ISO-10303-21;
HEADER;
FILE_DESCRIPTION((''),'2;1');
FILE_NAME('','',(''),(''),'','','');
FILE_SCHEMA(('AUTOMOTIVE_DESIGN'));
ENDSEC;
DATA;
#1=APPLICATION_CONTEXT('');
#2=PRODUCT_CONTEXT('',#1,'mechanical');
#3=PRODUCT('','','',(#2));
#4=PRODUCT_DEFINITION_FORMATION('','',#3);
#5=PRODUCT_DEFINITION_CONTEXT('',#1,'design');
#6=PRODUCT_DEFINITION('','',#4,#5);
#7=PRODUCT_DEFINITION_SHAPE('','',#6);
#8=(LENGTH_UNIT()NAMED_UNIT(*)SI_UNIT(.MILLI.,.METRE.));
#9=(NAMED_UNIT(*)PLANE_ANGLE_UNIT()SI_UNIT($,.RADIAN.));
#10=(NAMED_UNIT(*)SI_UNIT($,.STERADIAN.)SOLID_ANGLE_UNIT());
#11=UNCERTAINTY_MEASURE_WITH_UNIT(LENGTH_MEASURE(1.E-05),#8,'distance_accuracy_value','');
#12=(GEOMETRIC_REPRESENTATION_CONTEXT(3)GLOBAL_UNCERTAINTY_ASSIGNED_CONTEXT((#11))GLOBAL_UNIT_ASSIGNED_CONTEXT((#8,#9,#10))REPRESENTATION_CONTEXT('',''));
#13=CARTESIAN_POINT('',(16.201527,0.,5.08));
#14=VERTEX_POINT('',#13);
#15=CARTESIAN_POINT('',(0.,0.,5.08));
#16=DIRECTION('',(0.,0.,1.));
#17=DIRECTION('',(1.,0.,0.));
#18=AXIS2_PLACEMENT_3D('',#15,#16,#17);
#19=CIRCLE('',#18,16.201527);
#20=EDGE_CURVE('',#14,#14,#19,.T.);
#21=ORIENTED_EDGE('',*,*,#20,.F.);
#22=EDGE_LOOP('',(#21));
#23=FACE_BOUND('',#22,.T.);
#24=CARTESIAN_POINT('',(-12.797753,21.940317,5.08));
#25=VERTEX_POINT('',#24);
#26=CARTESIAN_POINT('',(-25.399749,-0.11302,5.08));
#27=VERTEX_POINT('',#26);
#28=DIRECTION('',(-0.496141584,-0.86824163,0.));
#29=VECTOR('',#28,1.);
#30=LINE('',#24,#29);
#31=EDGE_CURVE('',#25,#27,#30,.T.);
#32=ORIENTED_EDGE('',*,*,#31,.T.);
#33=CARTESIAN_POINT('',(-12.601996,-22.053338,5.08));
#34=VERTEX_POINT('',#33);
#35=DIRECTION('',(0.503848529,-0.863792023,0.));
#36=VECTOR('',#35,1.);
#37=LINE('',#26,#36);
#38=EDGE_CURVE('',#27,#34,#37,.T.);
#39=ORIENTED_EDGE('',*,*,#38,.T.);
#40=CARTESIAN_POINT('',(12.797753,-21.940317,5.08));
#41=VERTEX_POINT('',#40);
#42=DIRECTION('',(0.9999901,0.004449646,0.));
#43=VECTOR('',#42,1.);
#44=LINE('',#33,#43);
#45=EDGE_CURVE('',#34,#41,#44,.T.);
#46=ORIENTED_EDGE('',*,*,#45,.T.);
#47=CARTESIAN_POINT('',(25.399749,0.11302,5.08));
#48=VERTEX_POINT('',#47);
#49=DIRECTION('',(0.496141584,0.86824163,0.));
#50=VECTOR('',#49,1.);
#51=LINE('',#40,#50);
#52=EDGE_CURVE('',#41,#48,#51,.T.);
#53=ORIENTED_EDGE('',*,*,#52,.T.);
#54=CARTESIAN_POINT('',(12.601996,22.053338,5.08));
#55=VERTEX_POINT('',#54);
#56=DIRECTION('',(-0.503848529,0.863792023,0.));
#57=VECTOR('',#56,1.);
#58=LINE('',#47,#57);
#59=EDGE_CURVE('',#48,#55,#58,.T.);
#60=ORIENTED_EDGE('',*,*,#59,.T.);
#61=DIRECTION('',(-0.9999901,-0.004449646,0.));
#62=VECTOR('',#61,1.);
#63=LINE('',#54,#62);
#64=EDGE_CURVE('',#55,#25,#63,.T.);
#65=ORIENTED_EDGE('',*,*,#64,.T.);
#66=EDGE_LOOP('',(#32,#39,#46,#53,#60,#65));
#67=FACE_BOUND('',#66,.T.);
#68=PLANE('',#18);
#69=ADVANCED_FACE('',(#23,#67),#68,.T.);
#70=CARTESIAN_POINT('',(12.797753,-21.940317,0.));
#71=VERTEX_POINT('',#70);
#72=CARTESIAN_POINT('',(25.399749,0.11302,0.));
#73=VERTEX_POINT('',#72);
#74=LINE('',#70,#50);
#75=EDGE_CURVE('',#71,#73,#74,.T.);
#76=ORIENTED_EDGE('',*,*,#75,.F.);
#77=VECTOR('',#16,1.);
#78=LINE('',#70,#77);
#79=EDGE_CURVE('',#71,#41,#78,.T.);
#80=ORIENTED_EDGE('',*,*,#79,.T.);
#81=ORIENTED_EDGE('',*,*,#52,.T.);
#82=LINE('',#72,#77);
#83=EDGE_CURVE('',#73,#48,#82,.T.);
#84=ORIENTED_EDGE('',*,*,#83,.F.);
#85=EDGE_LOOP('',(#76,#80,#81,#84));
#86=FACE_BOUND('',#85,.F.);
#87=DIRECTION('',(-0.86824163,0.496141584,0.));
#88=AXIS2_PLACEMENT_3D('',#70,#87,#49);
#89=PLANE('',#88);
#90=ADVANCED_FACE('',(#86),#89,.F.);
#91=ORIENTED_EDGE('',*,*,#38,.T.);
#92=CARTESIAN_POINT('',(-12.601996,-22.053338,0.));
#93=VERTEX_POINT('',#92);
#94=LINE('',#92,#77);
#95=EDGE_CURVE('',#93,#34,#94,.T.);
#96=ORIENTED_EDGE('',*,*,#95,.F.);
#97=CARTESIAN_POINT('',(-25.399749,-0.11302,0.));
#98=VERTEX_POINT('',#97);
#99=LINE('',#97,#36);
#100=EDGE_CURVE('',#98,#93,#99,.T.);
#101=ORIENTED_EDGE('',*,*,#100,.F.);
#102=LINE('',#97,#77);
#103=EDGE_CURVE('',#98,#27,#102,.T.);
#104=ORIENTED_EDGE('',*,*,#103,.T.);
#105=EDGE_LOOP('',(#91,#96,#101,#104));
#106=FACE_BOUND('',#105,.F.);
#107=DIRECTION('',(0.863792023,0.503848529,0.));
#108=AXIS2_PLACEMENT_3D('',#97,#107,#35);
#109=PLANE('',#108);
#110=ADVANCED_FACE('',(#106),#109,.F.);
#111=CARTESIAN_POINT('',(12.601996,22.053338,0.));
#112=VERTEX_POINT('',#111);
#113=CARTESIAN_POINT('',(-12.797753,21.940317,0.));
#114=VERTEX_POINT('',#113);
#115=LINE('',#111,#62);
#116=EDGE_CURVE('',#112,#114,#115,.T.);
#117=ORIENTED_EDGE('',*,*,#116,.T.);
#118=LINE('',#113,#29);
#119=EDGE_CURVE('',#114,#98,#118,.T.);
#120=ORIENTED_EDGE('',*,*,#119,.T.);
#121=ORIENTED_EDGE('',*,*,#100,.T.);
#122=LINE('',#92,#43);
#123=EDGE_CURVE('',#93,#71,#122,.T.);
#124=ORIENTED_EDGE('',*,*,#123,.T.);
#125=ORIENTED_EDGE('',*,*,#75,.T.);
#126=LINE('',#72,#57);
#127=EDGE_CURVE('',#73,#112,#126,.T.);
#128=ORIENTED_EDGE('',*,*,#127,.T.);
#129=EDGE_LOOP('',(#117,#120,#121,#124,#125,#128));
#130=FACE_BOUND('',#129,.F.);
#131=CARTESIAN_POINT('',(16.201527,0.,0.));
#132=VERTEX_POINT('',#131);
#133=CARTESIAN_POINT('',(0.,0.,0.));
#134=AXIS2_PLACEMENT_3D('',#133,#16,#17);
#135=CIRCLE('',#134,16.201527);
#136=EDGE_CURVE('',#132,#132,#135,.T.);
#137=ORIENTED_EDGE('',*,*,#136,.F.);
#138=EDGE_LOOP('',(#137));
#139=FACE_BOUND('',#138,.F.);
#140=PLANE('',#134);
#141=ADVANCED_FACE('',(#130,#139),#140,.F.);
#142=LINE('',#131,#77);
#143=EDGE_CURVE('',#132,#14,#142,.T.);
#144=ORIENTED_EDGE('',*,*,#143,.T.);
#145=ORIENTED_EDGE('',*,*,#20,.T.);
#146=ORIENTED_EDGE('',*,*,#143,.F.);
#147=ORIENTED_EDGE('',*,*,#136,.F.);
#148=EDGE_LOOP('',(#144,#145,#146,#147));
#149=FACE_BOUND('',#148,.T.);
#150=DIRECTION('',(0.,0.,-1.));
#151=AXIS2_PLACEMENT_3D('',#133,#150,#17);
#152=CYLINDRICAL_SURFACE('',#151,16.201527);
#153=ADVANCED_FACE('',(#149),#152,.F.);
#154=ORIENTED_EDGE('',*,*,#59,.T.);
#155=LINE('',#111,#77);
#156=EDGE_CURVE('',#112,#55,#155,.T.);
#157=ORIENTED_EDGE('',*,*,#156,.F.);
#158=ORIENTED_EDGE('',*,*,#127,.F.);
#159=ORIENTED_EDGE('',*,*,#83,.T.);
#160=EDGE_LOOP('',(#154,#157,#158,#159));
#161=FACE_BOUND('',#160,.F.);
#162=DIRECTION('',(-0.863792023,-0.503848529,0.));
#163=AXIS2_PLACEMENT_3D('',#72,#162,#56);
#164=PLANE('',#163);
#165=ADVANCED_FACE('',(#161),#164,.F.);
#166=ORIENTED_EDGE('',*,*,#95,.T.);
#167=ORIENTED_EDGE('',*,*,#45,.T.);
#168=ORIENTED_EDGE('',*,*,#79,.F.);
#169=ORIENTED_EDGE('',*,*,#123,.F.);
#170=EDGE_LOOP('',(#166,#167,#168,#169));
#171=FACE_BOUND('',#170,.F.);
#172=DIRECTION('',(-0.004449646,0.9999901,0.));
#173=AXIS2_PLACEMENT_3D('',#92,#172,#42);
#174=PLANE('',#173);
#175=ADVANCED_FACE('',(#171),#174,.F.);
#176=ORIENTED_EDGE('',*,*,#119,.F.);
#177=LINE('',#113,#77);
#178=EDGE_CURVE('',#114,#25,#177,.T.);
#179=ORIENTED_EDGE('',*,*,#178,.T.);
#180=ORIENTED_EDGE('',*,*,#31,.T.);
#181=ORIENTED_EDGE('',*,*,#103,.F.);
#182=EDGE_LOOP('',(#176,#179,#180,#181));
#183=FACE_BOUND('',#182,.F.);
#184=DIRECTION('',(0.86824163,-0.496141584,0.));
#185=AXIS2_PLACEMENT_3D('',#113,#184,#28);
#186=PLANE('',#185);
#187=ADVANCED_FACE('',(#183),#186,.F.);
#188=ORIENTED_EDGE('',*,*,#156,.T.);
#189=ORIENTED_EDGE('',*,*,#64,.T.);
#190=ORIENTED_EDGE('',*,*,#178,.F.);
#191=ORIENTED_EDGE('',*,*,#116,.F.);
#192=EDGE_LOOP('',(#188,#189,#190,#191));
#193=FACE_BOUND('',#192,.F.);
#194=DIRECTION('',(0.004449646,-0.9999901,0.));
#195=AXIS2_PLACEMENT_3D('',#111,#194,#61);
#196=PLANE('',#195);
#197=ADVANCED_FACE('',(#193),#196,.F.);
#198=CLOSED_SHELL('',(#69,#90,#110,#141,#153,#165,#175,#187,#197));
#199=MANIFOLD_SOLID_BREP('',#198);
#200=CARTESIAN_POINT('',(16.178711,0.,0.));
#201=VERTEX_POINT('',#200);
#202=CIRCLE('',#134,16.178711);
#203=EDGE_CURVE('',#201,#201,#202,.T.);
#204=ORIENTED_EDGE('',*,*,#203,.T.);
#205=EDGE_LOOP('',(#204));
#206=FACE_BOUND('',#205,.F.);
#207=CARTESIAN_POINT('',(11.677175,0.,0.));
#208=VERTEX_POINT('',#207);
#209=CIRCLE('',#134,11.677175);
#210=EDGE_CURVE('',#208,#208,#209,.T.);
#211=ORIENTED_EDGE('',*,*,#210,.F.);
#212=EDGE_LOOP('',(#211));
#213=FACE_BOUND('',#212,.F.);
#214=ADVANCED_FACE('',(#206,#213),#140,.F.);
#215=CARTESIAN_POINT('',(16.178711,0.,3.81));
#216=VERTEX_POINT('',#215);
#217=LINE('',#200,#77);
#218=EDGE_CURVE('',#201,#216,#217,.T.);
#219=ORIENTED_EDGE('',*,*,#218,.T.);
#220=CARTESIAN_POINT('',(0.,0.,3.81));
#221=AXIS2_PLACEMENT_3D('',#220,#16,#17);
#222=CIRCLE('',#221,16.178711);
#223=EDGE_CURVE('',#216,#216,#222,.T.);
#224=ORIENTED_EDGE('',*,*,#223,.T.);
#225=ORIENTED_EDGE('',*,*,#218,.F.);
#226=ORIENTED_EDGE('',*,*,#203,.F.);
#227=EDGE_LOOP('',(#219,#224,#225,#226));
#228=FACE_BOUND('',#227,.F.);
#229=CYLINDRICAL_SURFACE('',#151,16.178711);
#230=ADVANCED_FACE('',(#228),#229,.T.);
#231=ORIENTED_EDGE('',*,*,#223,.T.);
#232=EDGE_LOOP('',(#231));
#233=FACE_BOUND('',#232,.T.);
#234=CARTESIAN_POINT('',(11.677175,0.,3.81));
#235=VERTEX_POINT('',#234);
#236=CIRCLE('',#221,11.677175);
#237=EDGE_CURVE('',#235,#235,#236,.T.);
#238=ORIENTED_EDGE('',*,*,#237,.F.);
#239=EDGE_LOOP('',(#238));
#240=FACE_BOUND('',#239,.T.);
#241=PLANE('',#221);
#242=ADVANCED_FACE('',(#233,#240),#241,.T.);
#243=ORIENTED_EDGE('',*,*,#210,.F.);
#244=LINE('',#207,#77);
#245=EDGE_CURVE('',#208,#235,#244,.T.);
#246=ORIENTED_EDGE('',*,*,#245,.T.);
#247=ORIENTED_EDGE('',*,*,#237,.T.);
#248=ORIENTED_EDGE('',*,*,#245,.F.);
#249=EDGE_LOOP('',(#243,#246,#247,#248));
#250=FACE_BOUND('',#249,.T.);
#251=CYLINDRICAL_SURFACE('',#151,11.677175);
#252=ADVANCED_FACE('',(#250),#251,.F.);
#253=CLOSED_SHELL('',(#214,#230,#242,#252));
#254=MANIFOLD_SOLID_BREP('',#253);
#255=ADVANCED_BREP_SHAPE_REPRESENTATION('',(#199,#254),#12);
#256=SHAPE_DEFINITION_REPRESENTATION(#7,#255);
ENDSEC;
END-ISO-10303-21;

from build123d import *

# Parameters (mm, degrees)
F0_R     = 16.201527
F1_DEPTH = 5.08
F0_R_2   = 16.178711
F0_R_3   = 11.677175
F2_DEPTH = 3.81


with BuildPart() as f1:
    # F0 (on Top) → F1 (new body)
    with BuildSketch(Plane.XY):
        Polygon((12.601996, 22.053338), (-12.797753, 21.940317), (-25.399749, -0.11302), (-12.601996, -22.053338), (12.797753, -21.940317), (25.399749, 0.11302), align=None)
        Circle(F0_R, mode=Mode.SUBTRACT)
    extrude(amount=F1_DEPTH)


with BuildPart() as f2:
    # F0 (on Top) → F2 (new body)
    with BuildSketch(Plane.XY):
        Circle(F0_R_2)
        Circle(F0_R_3, mode=Mode.SUBTRACT)
    extrude(amount=F2_DEPTH)


solid = Compound([f1.part, f2.part])
